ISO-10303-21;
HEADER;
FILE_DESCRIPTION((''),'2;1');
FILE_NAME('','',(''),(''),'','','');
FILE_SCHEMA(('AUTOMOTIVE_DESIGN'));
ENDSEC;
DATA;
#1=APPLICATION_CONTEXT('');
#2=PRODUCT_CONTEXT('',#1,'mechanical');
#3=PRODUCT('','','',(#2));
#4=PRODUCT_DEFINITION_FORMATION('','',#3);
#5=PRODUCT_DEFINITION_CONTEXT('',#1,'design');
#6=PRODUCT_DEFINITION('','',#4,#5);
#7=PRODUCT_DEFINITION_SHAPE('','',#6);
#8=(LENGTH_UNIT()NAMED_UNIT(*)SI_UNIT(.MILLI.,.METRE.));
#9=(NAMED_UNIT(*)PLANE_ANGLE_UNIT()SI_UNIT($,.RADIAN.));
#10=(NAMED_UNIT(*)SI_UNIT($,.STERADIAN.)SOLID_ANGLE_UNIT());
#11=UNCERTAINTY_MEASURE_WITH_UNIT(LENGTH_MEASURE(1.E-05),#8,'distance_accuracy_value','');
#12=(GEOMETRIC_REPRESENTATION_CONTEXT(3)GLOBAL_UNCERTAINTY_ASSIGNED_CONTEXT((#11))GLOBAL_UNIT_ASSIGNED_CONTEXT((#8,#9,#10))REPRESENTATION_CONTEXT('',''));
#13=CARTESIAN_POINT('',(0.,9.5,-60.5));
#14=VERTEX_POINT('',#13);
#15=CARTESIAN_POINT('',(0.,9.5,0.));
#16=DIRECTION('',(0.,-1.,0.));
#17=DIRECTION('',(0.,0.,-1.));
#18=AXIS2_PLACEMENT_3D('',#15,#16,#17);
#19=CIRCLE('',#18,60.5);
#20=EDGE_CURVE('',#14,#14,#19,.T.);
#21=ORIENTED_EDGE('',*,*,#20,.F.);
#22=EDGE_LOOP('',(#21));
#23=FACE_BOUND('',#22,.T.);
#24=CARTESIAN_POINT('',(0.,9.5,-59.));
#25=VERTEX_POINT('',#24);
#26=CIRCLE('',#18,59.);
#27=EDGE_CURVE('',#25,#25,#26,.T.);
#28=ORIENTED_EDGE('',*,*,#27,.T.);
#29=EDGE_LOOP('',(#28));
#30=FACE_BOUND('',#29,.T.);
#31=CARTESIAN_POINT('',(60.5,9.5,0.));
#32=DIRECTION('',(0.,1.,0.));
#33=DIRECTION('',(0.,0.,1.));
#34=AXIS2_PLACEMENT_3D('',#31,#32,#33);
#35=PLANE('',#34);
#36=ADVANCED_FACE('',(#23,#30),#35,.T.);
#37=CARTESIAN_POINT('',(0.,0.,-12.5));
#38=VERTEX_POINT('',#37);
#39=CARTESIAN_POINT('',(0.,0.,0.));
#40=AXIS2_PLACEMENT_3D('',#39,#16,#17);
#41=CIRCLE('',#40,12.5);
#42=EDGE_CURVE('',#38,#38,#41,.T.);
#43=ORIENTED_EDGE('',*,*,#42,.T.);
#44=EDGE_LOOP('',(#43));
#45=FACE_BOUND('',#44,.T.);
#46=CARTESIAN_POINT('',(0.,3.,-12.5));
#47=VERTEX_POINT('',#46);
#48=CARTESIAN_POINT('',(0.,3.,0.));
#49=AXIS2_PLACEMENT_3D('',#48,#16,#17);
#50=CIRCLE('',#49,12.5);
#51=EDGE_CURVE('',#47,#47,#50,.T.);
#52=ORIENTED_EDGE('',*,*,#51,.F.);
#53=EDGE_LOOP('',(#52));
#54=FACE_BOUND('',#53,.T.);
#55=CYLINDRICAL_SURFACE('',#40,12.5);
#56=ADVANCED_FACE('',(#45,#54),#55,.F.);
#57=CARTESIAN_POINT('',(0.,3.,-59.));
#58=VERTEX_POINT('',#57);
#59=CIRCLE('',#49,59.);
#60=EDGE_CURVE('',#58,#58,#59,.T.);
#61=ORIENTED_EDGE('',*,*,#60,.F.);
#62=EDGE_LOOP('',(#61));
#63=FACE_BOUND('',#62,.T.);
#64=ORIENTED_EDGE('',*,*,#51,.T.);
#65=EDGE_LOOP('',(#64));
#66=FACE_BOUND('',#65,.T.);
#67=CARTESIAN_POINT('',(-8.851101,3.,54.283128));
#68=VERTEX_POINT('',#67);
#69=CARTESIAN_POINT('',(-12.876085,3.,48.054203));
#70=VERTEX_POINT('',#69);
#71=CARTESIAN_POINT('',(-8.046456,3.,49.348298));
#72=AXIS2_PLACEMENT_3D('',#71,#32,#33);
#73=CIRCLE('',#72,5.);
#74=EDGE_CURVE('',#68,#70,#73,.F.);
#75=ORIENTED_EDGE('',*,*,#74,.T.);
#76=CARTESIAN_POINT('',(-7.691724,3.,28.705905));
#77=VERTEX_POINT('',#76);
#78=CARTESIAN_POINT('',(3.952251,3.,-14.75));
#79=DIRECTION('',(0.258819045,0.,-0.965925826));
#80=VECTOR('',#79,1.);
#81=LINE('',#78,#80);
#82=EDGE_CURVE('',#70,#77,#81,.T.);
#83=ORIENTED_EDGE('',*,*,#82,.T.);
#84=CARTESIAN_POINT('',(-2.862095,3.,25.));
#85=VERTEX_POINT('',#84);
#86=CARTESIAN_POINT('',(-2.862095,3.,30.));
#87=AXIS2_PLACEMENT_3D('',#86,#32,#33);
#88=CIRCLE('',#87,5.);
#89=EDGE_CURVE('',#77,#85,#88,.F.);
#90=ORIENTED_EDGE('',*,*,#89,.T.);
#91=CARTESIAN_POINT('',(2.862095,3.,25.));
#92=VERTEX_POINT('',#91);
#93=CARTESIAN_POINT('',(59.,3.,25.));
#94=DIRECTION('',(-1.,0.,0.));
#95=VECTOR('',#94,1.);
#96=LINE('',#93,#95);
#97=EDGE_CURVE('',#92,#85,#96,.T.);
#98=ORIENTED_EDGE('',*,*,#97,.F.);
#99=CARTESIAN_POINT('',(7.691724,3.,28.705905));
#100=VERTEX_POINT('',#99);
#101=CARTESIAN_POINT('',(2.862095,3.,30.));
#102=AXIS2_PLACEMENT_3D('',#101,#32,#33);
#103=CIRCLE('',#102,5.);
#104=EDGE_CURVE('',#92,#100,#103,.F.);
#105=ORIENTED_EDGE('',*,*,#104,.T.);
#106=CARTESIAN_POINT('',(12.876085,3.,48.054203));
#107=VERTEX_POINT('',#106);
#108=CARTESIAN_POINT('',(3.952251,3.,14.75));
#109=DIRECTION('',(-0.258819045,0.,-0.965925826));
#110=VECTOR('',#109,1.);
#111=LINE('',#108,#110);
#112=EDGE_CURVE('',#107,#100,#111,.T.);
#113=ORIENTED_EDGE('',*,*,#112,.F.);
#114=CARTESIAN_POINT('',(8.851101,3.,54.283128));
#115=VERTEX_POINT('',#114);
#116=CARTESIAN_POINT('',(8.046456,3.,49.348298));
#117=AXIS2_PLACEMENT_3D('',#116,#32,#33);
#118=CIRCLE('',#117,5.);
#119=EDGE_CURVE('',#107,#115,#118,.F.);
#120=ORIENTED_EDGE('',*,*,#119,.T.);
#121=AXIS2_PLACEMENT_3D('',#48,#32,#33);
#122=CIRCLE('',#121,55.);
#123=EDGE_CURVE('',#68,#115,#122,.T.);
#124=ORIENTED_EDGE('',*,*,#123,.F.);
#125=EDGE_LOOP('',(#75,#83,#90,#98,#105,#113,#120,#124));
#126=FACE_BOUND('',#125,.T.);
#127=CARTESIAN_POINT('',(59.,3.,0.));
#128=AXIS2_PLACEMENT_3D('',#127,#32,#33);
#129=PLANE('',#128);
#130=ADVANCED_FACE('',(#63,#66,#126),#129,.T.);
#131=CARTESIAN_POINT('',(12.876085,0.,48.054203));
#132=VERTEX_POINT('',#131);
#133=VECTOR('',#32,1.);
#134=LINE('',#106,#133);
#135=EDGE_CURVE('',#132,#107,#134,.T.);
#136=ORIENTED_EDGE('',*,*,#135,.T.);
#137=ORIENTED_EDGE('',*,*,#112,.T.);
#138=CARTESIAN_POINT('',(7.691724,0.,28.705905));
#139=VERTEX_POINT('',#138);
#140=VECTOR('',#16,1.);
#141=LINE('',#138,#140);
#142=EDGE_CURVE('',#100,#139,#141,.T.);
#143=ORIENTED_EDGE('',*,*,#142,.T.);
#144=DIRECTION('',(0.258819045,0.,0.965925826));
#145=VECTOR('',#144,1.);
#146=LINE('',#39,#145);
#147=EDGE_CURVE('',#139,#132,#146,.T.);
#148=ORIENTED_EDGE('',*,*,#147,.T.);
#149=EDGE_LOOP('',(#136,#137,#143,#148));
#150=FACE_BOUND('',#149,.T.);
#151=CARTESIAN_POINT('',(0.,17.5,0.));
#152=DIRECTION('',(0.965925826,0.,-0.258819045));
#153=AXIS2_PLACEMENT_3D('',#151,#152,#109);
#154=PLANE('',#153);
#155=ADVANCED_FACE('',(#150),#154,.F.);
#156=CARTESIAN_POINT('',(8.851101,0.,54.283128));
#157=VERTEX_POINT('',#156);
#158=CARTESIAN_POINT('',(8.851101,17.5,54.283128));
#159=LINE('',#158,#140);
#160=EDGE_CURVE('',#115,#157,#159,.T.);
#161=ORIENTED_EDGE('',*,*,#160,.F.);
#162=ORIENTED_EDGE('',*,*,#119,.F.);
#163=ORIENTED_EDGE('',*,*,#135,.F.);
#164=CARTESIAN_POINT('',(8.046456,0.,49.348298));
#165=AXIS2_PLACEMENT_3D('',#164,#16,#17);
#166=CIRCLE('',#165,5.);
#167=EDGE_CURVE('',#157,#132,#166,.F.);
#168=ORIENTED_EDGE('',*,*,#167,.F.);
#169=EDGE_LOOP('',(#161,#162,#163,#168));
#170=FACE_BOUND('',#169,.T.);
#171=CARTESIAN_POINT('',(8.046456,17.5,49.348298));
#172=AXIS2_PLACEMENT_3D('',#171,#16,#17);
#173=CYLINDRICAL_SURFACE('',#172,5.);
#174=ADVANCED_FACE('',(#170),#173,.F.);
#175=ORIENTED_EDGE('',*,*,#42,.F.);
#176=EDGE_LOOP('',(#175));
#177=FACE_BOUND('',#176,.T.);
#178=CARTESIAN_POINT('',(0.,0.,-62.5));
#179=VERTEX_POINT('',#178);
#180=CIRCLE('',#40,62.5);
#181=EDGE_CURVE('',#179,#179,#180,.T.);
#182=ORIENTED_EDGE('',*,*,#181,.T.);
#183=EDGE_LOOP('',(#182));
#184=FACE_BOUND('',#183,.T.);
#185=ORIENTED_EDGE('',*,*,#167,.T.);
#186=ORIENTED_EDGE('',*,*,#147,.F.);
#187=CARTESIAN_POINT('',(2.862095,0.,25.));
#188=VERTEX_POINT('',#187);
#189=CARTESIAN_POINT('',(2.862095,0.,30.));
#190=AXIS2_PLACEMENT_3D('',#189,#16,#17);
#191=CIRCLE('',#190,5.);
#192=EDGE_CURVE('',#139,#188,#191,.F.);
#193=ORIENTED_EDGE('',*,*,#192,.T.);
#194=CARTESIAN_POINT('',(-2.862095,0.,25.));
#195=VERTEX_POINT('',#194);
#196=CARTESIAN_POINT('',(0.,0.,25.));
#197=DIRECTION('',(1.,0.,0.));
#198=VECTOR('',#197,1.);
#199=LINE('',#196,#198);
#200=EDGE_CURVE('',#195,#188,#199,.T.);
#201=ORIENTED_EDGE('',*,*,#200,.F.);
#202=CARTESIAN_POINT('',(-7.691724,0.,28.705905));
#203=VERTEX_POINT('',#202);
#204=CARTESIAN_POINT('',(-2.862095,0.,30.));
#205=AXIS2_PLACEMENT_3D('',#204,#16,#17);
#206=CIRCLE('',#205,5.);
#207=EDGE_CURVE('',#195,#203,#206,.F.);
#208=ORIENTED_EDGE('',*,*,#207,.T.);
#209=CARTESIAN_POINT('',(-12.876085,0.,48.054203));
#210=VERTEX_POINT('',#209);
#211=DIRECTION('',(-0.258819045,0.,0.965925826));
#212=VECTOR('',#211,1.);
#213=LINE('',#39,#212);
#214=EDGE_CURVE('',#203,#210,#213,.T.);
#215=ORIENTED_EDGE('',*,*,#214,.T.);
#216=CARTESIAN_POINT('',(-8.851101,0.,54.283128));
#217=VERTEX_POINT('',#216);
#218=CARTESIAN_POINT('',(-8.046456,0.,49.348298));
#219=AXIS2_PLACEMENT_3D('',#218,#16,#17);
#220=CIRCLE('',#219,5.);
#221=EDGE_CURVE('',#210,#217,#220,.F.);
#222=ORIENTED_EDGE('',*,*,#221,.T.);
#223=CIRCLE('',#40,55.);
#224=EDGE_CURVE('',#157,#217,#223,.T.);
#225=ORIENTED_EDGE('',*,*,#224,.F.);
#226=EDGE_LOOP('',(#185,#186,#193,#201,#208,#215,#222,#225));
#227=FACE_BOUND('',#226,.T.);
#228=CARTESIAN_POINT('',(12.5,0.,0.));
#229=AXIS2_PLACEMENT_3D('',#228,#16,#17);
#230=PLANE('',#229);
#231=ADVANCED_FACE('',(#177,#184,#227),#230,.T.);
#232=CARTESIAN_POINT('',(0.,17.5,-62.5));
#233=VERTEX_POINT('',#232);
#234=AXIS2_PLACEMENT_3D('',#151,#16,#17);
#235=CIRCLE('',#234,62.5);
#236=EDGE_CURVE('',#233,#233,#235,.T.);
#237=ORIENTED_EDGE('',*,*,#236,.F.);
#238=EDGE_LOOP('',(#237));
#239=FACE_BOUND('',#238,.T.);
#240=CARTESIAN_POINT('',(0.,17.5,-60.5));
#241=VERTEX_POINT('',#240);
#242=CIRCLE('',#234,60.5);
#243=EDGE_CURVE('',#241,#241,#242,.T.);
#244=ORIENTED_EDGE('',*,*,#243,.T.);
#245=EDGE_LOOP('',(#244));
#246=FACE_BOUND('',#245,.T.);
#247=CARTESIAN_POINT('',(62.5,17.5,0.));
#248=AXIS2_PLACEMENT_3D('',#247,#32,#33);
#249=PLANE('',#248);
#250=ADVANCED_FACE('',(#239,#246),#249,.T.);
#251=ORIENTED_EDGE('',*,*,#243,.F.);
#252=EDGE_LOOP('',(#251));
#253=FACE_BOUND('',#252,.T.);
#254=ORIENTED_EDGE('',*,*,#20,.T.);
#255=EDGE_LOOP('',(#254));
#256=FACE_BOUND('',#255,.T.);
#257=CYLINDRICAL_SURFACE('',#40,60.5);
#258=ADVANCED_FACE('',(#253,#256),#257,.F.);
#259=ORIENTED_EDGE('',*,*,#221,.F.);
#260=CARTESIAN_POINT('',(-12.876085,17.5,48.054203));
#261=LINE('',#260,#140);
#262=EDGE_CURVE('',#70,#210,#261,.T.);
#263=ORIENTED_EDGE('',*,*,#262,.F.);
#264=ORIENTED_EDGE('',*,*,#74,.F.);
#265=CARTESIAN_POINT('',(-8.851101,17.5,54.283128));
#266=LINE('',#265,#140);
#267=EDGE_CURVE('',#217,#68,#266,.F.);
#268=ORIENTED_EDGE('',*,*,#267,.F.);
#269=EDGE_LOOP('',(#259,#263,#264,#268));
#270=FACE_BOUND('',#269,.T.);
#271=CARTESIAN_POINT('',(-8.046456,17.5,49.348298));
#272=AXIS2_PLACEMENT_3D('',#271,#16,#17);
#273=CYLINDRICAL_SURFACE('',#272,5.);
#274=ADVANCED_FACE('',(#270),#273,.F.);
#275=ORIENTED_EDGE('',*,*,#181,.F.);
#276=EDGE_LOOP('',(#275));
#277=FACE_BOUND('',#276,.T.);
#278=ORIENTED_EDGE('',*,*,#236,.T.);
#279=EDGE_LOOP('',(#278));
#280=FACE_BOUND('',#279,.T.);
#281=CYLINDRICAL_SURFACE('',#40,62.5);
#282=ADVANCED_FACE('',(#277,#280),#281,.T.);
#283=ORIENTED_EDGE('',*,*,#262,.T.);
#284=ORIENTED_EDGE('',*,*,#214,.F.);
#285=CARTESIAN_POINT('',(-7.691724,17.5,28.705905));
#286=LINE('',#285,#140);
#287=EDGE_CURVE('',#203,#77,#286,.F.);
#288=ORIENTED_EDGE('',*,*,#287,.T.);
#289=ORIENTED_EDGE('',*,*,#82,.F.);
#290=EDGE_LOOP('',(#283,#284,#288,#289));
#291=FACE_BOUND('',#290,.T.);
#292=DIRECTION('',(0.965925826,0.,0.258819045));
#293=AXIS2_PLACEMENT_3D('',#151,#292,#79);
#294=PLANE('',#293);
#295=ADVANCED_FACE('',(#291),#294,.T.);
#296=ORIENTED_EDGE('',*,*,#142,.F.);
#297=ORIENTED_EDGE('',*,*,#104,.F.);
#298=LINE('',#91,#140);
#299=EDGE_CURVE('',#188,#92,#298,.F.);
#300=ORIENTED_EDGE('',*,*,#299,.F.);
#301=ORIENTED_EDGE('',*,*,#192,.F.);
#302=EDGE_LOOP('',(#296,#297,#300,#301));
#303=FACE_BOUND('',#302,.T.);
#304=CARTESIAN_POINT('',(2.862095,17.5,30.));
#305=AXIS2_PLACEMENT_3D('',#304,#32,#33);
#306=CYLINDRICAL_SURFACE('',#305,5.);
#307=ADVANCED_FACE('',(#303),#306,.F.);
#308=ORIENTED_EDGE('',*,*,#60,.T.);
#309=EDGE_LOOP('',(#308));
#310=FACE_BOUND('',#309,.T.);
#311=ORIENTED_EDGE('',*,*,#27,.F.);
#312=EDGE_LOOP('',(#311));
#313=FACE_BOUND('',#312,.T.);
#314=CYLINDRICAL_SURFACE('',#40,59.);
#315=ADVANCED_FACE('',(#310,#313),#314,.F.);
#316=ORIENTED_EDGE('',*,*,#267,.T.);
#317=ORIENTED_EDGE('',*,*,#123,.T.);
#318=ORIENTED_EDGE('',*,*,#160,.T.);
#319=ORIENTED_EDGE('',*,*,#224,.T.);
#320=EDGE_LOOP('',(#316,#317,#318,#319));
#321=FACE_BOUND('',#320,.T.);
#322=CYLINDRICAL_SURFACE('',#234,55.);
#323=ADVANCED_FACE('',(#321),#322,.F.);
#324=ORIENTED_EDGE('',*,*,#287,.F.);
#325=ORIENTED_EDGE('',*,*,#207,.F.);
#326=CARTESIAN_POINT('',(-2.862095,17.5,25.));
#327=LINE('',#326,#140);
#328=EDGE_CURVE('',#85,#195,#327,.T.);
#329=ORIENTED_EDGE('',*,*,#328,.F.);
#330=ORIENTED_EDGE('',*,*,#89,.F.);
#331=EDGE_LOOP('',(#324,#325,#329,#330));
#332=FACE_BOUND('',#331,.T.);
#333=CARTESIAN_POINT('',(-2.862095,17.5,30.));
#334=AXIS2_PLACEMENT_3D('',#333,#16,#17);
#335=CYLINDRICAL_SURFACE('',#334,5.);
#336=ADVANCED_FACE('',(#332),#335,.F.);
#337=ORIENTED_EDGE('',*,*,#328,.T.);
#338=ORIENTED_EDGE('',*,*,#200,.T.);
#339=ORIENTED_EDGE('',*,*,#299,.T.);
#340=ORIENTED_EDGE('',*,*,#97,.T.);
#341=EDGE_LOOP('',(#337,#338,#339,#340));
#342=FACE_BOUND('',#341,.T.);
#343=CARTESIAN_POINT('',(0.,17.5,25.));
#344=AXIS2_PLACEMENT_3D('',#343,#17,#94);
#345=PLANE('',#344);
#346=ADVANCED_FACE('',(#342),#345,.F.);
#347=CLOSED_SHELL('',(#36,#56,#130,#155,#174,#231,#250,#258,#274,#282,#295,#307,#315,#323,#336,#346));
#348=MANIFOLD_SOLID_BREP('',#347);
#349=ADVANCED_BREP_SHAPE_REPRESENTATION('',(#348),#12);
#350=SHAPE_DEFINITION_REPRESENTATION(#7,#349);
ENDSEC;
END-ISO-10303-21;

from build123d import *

# Parameters (mm, degrees)
CUT_EXTRUDE1_DEPTH = 18.5
FILLET1_R          = 5


with BuildPart() as part:
    # Sketch2 → Revolve1 (revolve)
    with BuildSketch(Plane.XY):
        Polygon((12.5, 0), (62.5, 0), (62.5, 17.5), (60.5, 17.5), (60.5, 9.5), (59, 9.5), (59, 3), (12.5, 3), align=None)
    revolve(axis=Axis((0, 0, 0), (0, 1, 0)))

    # Sketch3 → Cut-Extrude1 (cut, through all)
    with BuildSketch(Plane.XZ):
        with BuildLine():
            Line((-14.235047481, 53.125920446), (-6.698729811, 25))
            Line((-6.698729811, 25), (6.698729811, 25))
            Line((6.698729811, 25), (14.235047481, 53.125920446))
            ThreePointArc((14.235047481, 53.125920446), (0, 55), (-14.235047481, 53.125920446))
        make_face()
    extrude(amount=-CUT_EXTRUDE1_DEPTH, mode=Mode.SUBTRACT)

    # Fillet1
    fillet1_edges = [part.edges().sort_by_distance(p)[0] for p in [
        (6.698729811, 1.5, 25),
        (-6.698729811, 1.5, 25),
        (-14.235047481, 1.5, 53.125920446),
        (14.235047481, 1.5, 53.125920446),
    ]]
    fillet(fillet1_edges, radius=FILLET1_R)


solid = part.part
